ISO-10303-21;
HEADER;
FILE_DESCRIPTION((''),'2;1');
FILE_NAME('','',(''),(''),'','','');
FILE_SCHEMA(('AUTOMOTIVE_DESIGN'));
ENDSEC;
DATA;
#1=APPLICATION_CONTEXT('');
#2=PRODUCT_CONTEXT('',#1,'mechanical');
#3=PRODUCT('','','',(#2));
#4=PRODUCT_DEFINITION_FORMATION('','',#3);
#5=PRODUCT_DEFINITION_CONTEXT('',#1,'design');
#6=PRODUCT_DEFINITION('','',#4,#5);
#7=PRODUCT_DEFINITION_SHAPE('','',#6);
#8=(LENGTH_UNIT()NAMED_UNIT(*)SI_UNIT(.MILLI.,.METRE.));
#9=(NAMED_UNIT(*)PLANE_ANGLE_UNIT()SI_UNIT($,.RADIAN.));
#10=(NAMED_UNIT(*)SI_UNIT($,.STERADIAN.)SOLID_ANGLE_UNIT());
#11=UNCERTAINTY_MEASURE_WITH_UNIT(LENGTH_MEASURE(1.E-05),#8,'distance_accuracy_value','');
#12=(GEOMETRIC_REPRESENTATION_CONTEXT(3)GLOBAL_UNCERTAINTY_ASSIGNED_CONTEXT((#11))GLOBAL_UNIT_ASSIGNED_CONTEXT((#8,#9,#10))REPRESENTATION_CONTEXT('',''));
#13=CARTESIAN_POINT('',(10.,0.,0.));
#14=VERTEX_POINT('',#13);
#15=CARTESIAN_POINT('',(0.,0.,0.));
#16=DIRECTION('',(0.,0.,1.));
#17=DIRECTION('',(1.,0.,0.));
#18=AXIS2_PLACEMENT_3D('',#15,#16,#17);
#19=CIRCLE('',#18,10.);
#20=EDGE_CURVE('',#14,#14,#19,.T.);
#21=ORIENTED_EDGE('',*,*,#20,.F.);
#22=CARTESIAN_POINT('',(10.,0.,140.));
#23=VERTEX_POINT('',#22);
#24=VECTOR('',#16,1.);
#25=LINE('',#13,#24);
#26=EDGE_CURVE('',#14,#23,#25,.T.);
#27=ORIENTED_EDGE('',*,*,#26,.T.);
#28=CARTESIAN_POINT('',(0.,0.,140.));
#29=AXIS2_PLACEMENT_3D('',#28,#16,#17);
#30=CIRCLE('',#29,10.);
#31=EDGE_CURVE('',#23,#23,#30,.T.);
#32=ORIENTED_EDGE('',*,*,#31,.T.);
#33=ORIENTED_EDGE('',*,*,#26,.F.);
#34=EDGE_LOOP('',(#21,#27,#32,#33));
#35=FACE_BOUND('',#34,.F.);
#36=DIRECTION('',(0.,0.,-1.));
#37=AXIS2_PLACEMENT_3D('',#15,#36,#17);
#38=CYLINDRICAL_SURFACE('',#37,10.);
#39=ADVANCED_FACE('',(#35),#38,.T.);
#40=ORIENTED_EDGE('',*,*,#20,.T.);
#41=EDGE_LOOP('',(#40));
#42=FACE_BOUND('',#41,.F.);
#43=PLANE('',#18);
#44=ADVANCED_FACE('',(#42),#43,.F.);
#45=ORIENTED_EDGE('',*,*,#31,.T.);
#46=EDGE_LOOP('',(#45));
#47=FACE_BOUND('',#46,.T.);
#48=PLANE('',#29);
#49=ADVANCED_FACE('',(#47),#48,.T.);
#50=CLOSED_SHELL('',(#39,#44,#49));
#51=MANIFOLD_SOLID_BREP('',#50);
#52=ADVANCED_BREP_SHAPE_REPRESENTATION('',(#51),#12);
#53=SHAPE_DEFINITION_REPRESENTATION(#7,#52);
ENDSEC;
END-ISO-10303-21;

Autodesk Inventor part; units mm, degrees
ref_plane "YZ Plane" through (0, 0, 0) normal (1, 0, 0) x (0, 1, 0)
ref_plane "XZ Plane" through (0, 0, 0) normal (0, 1, 0) x (-1, 0, 0)
ref_plane "XY Plane" through (0, 0, 0) normal (0, 0, 1) x (1, 0, 0)
sketch "Szkic1" plane through (0, 0, 0) normal (0, 0, 1) x (1, 0, 0)
  circle A0 centre (0, 0) radius 10
  dimension "d0" = 20
extrude "Wyciągnięcie proste1" add sketch "Szkic1" along normal blind 140
properties part number "waleczek"
